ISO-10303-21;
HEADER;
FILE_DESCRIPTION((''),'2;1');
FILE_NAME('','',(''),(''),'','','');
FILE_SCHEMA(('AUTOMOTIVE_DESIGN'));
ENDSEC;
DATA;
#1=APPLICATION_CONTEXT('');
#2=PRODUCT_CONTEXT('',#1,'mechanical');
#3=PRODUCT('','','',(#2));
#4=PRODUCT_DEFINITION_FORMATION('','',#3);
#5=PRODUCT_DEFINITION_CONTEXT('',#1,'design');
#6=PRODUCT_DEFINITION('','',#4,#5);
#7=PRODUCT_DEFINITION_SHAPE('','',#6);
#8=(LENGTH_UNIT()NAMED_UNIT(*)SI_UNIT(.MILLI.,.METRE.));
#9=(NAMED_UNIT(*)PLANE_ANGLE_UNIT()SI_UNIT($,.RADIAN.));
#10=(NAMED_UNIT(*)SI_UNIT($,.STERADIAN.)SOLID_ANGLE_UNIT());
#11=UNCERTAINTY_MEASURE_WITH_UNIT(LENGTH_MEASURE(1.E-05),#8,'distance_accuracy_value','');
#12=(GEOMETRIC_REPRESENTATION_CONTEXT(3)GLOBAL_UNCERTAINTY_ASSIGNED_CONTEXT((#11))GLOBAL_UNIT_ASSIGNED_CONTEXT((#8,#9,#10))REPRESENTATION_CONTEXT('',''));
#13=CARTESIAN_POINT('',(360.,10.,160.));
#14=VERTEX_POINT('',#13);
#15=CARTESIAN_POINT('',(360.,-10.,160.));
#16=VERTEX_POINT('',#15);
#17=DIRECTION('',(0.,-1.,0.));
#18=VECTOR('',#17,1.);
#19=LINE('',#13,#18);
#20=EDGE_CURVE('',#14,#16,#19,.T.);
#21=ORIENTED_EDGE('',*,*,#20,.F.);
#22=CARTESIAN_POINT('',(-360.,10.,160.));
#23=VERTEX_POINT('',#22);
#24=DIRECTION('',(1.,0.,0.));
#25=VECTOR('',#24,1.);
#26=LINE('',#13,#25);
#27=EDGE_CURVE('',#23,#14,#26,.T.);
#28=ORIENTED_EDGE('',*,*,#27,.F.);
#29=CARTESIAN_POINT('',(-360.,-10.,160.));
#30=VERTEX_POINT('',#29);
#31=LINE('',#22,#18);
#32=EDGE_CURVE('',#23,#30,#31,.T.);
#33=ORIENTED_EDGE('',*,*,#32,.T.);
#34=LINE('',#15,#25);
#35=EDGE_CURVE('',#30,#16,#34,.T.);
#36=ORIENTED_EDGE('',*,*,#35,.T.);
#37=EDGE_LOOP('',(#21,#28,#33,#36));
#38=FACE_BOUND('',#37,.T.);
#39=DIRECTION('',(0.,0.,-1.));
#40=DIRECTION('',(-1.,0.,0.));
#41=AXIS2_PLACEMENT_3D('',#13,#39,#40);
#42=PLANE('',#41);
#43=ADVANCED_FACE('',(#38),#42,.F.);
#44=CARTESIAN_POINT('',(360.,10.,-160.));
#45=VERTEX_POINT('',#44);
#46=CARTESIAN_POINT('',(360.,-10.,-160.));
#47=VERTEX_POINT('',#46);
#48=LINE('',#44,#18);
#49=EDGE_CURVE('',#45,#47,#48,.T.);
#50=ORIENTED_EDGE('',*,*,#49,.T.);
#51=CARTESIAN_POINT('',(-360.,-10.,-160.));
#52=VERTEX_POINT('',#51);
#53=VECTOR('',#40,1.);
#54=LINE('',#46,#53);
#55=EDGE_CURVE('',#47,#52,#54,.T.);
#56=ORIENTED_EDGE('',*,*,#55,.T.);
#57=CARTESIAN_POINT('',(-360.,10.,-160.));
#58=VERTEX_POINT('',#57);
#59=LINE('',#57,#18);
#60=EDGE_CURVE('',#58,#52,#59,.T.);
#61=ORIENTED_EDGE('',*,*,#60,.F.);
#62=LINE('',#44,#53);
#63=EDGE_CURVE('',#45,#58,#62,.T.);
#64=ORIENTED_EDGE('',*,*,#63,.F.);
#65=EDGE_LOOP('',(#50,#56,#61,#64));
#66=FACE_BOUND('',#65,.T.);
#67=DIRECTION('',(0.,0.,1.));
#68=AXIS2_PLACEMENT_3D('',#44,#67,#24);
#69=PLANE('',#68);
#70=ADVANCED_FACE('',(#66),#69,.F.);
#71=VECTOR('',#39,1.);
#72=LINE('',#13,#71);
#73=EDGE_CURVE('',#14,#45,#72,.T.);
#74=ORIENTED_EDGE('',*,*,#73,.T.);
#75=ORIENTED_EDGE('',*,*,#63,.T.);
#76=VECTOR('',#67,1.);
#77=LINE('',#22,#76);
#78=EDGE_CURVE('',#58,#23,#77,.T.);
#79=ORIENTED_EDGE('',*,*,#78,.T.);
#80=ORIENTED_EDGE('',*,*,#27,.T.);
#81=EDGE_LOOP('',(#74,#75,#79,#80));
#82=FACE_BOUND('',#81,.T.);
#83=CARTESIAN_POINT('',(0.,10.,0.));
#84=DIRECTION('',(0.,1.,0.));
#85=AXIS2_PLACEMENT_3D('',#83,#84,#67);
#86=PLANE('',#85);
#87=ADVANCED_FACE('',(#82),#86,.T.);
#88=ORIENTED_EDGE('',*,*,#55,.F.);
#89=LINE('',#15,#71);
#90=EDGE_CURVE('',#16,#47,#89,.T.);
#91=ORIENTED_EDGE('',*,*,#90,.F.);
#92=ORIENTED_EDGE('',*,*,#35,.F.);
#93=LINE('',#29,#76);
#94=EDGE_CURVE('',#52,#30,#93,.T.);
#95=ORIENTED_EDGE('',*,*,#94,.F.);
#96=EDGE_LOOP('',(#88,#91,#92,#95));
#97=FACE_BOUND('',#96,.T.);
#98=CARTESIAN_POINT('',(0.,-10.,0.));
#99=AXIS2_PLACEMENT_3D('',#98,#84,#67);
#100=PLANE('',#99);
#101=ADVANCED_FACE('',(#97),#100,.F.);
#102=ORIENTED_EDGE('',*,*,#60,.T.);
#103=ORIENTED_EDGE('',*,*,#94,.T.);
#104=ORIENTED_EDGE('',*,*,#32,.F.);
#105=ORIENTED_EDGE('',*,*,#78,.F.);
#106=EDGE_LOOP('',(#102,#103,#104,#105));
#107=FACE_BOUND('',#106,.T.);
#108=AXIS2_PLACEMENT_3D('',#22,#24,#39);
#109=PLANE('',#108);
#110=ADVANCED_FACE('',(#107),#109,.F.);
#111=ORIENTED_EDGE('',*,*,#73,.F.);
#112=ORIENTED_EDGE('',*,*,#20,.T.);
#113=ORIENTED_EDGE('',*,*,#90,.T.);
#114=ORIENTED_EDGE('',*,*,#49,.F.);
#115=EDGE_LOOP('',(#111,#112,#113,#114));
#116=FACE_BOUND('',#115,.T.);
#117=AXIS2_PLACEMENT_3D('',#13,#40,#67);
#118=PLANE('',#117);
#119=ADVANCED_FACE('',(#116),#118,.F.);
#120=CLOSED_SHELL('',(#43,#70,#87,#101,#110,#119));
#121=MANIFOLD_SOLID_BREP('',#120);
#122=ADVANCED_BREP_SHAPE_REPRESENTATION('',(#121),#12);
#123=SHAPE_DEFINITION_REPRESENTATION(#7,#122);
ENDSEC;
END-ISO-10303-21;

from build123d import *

# Parameters (mm, degrees)
SKETCH1_W           = 720
SKETCH1_H           = 320
BOSS_EXTRUDE1_DEPTH = 10


with BuildPart() as part:
    # Sketch1 → Boss-Extrude1 (new body, symmetric)
    with BuildSketch(Plane(origin=(0, 0, 0), x_dir=(1, 0, 0), z_dir=(0, 1, 0))):
        Rectangle(SKETCH1_W, SKETCH1_H)
    extrude(amount=BOSS_EXTRUDE1_DEPTH, both=True)


solid = part.part
